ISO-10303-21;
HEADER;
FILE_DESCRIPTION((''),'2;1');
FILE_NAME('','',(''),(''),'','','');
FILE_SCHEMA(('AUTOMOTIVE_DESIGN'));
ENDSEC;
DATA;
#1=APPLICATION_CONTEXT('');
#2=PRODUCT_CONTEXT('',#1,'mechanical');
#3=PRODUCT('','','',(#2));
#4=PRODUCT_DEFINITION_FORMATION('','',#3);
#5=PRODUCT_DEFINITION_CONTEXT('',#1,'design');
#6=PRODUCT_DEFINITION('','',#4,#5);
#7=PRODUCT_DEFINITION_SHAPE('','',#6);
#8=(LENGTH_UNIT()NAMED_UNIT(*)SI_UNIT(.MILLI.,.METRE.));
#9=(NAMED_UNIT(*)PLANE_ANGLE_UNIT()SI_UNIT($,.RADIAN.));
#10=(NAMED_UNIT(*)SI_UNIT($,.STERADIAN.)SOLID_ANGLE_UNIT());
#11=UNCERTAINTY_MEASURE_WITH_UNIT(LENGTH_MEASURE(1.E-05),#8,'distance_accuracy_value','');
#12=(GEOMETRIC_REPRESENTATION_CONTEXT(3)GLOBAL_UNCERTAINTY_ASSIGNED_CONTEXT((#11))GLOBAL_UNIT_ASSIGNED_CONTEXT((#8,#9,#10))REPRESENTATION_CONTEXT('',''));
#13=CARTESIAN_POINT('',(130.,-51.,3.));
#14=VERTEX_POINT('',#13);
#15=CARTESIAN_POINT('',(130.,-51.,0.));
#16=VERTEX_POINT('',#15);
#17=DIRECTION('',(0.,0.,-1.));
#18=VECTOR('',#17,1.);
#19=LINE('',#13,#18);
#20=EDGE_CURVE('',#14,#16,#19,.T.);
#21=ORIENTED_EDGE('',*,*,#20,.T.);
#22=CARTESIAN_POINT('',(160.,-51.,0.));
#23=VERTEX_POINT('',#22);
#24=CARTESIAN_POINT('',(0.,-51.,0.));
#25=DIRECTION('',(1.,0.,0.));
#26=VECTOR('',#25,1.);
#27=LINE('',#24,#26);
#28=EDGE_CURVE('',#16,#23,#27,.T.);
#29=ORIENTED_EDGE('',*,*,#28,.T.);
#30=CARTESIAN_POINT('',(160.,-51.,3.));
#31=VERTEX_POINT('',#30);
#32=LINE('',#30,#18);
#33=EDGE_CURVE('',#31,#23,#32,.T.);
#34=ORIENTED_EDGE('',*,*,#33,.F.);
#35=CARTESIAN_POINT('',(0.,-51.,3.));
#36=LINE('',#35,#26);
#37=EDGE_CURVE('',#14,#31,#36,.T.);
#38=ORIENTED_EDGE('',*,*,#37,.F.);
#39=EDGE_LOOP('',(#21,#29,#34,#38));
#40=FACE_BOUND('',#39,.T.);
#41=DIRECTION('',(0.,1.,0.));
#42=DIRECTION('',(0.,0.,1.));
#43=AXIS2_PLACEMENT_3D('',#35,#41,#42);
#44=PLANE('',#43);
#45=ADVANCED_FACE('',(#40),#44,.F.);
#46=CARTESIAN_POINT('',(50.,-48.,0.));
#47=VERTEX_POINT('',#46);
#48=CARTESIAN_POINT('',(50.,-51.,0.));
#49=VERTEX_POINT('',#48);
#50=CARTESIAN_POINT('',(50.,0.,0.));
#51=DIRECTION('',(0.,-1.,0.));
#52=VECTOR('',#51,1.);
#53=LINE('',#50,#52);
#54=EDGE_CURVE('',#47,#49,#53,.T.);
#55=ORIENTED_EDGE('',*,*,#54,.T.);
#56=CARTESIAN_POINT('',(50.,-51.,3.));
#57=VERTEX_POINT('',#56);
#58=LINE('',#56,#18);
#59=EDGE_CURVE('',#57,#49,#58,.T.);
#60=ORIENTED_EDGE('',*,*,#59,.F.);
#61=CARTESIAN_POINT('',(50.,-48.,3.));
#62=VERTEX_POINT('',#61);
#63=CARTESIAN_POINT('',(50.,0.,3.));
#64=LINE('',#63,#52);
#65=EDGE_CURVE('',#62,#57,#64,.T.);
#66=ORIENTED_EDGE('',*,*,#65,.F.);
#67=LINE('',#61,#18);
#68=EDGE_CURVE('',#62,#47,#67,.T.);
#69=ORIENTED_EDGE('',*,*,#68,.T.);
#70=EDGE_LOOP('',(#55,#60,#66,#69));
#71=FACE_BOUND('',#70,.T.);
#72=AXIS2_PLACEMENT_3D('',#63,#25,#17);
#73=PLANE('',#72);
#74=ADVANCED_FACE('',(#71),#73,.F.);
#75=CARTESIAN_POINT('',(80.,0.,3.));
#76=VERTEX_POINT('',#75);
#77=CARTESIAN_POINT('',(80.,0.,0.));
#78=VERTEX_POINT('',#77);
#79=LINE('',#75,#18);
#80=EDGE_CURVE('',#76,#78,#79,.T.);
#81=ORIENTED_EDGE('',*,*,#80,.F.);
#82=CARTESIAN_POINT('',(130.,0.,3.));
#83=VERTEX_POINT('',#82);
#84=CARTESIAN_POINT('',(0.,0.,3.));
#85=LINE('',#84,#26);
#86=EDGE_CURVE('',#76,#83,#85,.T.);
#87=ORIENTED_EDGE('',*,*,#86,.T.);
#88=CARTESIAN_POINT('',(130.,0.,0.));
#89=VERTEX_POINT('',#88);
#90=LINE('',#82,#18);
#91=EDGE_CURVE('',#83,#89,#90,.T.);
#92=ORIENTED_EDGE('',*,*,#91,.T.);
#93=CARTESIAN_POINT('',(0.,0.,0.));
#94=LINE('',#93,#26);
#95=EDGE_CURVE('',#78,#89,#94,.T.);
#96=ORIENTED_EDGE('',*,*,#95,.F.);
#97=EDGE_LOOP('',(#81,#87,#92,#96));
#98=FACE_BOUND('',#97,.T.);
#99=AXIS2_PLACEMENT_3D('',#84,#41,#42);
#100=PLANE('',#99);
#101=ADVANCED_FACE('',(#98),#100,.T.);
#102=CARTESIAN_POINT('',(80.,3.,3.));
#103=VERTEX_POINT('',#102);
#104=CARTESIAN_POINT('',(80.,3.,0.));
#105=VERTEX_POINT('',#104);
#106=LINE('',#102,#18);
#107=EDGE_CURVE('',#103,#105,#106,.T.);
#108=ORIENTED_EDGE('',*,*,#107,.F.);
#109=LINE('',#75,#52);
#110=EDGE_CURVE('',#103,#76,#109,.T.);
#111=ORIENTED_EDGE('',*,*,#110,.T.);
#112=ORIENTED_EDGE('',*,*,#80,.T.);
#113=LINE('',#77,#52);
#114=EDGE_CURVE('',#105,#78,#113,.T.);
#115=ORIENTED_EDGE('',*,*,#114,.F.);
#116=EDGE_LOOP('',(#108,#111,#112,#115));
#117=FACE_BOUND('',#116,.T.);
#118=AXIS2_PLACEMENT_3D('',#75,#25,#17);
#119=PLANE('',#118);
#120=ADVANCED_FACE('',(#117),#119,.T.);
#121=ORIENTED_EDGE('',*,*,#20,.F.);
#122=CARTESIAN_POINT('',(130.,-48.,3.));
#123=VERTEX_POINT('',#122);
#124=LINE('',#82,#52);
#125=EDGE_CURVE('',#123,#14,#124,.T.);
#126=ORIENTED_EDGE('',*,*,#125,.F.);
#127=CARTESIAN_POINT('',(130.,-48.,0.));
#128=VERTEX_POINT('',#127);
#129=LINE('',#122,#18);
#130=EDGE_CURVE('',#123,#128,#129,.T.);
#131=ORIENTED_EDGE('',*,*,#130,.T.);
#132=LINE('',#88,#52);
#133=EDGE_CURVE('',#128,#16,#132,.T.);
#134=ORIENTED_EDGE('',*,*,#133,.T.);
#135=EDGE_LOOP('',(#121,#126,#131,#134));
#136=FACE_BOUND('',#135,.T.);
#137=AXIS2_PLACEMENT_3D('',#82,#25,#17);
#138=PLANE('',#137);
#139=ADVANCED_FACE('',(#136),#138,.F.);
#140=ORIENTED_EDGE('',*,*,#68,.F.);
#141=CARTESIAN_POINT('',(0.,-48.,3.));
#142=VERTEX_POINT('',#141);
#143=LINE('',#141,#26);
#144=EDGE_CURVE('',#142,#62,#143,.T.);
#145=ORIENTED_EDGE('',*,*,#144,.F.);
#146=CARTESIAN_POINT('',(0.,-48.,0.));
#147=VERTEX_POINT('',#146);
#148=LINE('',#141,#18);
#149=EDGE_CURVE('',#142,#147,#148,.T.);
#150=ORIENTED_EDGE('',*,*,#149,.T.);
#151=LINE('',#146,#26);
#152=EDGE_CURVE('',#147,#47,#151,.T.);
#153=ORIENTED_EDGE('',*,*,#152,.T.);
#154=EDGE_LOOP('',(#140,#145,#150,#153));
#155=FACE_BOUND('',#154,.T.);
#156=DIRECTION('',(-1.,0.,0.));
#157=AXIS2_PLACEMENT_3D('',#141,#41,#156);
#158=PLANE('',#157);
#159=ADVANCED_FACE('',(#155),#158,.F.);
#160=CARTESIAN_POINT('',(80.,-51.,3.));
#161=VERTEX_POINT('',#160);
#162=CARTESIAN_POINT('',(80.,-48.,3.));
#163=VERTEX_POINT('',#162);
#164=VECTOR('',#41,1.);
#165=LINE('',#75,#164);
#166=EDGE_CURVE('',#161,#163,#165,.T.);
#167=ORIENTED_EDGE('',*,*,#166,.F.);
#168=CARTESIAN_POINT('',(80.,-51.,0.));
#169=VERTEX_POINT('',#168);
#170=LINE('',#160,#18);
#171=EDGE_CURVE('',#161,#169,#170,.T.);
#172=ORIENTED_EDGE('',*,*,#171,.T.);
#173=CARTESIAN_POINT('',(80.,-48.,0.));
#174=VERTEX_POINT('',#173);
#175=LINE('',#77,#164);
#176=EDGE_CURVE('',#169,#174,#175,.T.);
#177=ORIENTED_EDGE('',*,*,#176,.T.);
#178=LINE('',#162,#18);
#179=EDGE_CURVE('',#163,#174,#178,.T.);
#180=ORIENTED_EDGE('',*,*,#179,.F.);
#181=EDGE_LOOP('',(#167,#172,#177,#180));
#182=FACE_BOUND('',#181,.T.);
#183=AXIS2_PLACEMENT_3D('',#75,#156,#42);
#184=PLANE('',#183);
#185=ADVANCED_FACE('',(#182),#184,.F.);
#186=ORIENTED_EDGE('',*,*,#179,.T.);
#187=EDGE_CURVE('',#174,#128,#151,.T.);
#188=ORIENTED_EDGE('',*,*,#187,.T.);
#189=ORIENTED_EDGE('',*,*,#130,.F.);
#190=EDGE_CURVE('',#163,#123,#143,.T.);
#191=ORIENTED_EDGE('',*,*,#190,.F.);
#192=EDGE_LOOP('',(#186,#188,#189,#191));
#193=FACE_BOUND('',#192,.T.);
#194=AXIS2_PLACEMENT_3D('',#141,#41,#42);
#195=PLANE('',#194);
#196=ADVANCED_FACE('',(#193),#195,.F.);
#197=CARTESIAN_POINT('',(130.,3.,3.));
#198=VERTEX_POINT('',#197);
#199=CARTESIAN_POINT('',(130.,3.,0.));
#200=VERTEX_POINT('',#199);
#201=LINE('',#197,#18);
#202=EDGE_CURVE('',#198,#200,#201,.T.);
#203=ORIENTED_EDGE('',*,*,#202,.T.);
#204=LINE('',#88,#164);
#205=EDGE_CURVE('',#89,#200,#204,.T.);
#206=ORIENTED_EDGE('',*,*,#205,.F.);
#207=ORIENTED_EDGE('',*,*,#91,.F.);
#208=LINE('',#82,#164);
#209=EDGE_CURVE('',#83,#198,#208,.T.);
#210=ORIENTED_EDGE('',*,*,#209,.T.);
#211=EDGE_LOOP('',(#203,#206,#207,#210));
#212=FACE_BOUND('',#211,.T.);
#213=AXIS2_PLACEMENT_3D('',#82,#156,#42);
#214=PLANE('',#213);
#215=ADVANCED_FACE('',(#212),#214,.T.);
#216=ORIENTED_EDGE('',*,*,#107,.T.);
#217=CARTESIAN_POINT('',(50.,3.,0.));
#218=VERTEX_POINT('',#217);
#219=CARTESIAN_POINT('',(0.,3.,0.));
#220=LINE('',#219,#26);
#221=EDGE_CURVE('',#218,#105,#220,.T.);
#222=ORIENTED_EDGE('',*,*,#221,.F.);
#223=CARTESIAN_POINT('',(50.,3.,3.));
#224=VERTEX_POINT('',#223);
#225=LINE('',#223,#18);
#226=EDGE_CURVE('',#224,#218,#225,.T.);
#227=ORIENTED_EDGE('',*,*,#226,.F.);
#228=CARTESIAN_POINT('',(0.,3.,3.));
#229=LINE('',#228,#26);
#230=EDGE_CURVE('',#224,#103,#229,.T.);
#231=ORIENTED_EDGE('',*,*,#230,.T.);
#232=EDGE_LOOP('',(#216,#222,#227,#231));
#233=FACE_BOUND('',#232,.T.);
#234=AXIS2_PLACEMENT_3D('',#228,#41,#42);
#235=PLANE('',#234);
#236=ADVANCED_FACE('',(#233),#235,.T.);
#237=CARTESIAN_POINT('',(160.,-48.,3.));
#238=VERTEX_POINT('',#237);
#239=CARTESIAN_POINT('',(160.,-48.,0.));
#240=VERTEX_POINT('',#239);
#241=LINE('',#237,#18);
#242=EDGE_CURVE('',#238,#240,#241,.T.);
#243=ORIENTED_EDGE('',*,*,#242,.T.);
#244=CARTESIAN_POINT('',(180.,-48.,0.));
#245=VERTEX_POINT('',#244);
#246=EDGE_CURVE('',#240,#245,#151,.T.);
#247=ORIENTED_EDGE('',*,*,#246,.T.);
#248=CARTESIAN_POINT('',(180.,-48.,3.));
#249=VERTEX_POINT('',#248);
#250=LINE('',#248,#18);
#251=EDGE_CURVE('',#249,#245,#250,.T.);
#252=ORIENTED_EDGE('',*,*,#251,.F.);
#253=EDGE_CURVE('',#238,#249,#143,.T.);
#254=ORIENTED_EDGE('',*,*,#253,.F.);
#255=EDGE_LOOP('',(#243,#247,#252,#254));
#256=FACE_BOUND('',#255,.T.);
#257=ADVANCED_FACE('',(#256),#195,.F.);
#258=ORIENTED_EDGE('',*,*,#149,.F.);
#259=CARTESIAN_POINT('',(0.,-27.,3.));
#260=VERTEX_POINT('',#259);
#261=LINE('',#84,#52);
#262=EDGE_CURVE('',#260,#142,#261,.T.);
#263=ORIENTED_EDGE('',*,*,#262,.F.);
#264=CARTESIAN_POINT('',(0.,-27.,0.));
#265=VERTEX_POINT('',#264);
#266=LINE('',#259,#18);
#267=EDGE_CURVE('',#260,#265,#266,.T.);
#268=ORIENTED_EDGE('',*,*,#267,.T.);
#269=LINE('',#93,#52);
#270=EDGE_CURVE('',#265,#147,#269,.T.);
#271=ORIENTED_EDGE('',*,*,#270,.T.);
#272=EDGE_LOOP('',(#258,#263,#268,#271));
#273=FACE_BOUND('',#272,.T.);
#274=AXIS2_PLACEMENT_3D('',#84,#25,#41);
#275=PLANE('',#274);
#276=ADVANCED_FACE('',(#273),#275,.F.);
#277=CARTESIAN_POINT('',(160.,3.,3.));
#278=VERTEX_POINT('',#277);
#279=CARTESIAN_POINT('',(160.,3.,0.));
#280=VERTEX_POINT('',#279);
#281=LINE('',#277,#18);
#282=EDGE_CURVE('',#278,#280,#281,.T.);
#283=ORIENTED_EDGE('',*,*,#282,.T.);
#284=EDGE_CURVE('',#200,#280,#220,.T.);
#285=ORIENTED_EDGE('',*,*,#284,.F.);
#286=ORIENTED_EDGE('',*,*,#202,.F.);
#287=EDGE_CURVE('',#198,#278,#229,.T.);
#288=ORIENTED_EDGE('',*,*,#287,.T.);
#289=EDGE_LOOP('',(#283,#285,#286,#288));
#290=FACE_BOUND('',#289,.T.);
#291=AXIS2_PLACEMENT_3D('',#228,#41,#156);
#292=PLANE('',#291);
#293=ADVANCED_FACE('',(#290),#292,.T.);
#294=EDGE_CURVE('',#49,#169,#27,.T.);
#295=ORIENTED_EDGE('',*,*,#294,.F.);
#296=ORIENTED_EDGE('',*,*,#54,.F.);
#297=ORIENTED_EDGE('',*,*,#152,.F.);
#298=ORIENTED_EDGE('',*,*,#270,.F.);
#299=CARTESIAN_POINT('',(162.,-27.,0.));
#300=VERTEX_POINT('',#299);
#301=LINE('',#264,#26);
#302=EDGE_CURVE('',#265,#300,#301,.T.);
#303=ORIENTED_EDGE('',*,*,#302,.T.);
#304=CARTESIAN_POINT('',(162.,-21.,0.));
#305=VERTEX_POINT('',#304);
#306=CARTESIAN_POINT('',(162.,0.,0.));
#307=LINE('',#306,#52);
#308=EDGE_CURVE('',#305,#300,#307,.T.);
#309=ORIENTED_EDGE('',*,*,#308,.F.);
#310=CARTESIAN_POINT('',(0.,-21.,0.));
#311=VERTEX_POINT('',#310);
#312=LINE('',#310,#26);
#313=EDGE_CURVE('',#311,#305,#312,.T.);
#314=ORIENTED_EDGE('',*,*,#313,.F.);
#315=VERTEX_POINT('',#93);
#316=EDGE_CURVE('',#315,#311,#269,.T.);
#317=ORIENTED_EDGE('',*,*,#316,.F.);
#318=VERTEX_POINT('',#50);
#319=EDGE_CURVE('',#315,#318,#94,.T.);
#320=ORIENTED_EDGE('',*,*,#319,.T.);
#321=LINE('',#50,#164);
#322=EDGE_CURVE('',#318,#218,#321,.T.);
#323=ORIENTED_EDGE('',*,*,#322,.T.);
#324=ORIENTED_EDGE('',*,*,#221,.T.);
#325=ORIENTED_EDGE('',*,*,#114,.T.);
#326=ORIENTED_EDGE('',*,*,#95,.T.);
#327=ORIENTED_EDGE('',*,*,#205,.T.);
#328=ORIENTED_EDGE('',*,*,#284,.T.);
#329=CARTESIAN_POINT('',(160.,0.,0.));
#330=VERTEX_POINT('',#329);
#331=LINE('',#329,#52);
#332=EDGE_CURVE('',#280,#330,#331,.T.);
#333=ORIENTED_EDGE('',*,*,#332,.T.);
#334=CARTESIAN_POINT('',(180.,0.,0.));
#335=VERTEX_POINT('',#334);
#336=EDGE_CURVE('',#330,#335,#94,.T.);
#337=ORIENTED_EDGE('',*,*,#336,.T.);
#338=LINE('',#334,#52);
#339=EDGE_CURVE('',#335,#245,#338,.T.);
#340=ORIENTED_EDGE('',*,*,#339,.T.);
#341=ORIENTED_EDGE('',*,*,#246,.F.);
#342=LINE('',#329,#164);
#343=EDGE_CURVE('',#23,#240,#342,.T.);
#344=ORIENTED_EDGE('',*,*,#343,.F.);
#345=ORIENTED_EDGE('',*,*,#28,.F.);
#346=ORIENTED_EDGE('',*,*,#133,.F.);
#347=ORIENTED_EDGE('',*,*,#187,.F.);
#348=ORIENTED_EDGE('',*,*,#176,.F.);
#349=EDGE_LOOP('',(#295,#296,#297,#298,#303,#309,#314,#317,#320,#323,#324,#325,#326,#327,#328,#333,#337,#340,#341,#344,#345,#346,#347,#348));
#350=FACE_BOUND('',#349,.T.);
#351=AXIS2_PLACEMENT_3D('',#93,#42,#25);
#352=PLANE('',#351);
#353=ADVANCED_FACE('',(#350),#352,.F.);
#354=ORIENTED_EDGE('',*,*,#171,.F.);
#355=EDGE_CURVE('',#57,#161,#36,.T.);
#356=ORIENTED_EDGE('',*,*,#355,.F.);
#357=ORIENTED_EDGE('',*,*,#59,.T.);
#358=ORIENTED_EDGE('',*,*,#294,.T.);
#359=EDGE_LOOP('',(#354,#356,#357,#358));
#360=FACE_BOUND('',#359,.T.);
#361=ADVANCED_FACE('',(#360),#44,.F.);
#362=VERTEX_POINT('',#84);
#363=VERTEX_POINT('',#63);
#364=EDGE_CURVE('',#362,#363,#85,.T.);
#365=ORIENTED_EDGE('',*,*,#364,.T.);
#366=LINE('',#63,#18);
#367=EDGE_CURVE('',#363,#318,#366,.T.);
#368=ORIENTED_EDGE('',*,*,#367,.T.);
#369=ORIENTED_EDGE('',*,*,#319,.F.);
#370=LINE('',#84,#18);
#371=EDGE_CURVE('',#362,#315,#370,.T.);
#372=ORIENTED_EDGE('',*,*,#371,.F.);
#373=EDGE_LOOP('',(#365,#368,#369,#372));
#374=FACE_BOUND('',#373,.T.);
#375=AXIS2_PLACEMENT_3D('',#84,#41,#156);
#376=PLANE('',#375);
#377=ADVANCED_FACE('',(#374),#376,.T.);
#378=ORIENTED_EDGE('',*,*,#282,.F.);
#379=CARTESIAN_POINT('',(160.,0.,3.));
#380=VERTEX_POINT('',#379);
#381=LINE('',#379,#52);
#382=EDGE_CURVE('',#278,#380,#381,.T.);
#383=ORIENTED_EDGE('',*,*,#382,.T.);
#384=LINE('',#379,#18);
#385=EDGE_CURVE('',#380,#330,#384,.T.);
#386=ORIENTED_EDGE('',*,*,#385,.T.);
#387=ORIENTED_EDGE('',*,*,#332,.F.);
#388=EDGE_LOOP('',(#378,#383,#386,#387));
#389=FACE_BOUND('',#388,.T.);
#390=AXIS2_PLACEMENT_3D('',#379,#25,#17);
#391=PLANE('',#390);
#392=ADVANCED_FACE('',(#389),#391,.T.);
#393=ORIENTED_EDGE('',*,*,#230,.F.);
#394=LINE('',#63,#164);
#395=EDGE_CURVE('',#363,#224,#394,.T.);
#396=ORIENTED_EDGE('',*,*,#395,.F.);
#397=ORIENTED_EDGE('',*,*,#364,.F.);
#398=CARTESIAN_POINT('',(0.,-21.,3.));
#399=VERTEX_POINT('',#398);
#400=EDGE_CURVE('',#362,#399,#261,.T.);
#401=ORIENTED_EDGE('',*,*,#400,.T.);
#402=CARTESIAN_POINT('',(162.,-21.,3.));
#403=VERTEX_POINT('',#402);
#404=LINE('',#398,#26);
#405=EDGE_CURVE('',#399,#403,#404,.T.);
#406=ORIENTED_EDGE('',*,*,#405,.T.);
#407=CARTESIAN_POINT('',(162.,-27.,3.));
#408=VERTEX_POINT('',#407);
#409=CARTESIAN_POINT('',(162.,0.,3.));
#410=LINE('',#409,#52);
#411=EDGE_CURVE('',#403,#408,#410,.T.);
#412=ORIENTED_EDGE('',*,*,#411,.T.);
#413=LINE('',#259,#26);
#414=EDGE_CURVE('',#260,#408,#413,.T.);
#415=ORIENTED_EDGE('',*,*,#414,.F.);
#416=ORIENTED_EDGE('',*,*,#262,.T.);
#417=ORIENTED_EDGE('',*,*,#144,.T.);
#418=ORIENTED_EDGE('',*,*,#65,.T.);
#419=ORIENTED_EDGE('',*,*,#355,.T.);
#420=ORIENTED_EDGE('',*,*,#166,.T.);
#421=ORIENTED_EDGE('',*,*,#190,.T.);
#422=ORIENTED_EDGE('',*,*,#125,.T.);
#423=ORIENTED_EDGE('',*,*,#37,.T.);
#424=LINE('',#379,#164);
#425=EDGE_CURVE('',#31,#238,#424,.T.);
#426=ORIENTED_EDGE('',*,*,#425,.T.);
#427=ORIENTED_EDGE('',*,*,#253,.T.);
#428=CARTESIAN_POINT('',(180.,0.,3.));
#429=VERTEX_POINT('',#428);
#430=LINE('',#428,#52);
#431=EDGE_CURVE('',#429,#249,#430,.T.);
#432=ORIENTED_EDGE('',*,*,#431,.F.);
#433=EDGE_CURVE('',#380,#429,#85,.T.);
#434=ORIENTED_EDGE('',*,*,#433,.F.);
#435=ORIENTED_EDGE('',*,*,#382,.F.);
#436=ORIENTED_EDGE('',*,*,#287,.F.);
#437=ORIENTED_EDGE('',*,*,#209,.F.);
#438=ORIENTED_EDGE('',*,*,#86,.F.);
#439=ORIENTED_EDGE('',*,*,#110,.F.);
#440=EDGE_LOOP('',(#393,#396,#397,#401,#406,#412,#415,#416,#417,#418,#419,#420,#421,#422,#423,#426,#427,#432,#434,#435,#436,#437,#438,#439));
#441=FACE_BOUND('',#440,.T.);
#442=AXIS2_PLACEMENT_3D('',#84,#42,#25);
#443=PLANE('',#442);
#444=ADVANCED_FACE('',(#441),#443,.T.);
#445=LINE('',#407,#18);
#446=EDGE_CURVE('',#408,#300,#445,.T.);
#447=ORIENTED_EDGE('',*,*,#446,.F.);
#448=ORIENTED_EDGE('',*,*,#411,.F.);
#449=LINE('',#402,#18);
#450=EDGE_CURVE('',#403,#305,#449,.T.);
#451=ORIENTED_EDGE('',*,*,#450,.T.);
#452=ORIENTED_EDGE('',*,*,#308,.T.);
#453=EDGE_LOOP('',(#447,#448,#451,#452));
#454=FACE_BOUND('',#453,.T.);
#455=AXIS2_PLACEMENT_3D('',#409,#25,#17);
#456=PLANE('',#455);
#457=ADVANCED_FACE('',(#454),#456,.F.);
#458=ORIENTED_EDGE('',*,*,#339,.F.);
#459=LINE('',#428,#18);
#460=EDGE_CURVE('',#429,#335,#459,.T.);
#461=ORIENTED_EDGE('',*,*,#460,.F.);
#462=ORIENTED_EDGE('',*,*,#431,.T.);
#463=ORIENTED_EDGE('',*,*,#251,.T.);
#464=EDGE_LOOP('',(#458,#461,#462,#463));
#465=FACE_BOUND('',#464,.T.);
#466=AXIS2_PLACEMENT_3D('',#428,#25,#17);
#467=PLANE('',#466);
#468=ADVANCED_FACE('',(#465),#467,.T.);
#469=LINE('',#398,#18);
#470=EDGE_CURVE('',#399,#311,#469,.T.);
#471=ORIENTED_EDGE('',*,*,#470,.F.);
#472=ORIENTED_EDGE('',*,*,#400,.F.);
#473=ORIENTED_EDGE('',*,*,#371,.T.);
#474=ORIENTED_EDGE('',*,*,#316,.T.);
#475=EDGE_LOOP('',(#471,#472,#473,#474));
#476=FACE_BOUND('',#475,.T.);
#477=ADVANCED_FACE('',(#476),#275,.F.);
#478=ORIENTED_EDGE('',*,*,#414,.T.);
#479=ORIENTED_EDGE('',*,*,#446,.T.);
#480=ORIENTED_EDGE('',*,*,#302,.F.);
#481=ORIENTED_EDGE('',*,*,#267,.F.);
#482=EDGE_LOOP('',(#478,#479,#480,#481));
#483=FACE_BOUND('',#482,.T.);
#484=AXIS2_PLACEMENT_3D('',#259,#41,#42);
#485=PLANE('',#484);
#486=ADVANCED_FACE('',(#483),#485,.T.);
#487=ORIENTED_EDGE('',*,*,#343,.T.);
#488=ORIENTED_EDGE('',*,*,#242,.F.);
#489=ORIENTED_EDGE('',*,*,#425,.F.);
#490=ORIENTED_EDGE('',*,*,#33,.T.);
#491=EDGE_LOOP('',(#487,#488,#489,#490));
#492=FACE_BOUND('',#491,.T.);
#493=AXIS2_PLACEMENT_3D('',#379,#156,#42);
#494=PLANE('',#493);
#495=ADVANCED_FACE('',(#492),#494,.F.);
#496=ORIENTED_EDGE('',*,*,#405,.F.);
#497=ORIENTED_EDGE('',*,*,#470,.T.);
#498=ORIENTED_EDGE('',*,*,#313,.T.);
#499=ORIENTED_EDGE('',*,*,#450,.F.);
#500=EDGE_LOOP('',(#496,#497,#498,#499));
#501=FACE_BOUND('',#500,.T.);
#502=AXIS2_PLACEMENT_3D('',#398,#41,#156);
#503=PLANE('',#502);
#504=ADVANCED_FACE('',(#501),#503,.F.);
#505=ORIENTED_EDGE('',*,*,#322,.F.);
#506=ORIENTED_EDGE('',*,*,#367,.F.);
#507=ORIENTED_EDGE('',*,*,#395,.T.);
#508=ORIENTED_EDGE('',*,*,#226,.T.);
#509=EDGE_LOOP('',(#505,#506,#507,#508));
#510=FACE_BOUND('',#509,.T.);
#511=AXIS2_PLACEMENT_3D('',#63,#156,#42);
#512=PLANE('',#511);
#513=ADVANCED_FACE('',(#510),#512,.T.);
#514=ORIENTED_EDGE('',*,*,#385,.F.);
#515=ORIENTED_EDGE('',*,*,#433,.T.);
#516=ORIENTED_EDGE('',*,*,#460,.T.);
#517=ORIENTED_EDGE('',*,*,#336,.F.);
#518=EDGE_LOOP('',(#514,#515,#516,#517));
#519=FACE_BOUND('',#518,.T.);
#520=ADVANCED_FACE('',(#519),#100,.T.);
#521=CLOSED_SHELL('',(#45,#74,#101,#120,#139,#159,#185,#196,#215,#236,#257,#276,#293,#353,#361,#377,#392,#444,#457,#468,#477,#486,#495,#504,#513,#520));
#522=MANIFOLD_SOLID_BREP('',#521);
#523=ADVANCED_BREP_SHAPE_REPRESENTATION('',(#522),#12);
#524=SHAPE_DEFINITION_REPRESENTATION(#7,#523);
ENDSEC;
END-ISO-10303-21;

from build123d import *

# Parameters (mm, degrees)
RESSALTO_EXTRUS_O1_DEPTH = 3


with BuildPart() as part:
    # Esboço1 → Ressalto-extrusão1 (new body)
    with BuildSketch(Plane.XY):
        Polygon((0, -27), (0, -48), (50, -48), (50, -51), (80, -51), (80, -48), (130, -48), (130, -51), (160, -51), (160, -48), (180, -48), (180, 0), (160, 0), (160, 3), (130, 3), (130, 0), (80, 0), (80, 3), (50, 3), (50, 0), (0, 0), (0, -21), (162, -21), (162, -27), align=None)
    extrude(amount=RESSALTO_EXTRUS_O1_DEPTH)


solid = part.part
